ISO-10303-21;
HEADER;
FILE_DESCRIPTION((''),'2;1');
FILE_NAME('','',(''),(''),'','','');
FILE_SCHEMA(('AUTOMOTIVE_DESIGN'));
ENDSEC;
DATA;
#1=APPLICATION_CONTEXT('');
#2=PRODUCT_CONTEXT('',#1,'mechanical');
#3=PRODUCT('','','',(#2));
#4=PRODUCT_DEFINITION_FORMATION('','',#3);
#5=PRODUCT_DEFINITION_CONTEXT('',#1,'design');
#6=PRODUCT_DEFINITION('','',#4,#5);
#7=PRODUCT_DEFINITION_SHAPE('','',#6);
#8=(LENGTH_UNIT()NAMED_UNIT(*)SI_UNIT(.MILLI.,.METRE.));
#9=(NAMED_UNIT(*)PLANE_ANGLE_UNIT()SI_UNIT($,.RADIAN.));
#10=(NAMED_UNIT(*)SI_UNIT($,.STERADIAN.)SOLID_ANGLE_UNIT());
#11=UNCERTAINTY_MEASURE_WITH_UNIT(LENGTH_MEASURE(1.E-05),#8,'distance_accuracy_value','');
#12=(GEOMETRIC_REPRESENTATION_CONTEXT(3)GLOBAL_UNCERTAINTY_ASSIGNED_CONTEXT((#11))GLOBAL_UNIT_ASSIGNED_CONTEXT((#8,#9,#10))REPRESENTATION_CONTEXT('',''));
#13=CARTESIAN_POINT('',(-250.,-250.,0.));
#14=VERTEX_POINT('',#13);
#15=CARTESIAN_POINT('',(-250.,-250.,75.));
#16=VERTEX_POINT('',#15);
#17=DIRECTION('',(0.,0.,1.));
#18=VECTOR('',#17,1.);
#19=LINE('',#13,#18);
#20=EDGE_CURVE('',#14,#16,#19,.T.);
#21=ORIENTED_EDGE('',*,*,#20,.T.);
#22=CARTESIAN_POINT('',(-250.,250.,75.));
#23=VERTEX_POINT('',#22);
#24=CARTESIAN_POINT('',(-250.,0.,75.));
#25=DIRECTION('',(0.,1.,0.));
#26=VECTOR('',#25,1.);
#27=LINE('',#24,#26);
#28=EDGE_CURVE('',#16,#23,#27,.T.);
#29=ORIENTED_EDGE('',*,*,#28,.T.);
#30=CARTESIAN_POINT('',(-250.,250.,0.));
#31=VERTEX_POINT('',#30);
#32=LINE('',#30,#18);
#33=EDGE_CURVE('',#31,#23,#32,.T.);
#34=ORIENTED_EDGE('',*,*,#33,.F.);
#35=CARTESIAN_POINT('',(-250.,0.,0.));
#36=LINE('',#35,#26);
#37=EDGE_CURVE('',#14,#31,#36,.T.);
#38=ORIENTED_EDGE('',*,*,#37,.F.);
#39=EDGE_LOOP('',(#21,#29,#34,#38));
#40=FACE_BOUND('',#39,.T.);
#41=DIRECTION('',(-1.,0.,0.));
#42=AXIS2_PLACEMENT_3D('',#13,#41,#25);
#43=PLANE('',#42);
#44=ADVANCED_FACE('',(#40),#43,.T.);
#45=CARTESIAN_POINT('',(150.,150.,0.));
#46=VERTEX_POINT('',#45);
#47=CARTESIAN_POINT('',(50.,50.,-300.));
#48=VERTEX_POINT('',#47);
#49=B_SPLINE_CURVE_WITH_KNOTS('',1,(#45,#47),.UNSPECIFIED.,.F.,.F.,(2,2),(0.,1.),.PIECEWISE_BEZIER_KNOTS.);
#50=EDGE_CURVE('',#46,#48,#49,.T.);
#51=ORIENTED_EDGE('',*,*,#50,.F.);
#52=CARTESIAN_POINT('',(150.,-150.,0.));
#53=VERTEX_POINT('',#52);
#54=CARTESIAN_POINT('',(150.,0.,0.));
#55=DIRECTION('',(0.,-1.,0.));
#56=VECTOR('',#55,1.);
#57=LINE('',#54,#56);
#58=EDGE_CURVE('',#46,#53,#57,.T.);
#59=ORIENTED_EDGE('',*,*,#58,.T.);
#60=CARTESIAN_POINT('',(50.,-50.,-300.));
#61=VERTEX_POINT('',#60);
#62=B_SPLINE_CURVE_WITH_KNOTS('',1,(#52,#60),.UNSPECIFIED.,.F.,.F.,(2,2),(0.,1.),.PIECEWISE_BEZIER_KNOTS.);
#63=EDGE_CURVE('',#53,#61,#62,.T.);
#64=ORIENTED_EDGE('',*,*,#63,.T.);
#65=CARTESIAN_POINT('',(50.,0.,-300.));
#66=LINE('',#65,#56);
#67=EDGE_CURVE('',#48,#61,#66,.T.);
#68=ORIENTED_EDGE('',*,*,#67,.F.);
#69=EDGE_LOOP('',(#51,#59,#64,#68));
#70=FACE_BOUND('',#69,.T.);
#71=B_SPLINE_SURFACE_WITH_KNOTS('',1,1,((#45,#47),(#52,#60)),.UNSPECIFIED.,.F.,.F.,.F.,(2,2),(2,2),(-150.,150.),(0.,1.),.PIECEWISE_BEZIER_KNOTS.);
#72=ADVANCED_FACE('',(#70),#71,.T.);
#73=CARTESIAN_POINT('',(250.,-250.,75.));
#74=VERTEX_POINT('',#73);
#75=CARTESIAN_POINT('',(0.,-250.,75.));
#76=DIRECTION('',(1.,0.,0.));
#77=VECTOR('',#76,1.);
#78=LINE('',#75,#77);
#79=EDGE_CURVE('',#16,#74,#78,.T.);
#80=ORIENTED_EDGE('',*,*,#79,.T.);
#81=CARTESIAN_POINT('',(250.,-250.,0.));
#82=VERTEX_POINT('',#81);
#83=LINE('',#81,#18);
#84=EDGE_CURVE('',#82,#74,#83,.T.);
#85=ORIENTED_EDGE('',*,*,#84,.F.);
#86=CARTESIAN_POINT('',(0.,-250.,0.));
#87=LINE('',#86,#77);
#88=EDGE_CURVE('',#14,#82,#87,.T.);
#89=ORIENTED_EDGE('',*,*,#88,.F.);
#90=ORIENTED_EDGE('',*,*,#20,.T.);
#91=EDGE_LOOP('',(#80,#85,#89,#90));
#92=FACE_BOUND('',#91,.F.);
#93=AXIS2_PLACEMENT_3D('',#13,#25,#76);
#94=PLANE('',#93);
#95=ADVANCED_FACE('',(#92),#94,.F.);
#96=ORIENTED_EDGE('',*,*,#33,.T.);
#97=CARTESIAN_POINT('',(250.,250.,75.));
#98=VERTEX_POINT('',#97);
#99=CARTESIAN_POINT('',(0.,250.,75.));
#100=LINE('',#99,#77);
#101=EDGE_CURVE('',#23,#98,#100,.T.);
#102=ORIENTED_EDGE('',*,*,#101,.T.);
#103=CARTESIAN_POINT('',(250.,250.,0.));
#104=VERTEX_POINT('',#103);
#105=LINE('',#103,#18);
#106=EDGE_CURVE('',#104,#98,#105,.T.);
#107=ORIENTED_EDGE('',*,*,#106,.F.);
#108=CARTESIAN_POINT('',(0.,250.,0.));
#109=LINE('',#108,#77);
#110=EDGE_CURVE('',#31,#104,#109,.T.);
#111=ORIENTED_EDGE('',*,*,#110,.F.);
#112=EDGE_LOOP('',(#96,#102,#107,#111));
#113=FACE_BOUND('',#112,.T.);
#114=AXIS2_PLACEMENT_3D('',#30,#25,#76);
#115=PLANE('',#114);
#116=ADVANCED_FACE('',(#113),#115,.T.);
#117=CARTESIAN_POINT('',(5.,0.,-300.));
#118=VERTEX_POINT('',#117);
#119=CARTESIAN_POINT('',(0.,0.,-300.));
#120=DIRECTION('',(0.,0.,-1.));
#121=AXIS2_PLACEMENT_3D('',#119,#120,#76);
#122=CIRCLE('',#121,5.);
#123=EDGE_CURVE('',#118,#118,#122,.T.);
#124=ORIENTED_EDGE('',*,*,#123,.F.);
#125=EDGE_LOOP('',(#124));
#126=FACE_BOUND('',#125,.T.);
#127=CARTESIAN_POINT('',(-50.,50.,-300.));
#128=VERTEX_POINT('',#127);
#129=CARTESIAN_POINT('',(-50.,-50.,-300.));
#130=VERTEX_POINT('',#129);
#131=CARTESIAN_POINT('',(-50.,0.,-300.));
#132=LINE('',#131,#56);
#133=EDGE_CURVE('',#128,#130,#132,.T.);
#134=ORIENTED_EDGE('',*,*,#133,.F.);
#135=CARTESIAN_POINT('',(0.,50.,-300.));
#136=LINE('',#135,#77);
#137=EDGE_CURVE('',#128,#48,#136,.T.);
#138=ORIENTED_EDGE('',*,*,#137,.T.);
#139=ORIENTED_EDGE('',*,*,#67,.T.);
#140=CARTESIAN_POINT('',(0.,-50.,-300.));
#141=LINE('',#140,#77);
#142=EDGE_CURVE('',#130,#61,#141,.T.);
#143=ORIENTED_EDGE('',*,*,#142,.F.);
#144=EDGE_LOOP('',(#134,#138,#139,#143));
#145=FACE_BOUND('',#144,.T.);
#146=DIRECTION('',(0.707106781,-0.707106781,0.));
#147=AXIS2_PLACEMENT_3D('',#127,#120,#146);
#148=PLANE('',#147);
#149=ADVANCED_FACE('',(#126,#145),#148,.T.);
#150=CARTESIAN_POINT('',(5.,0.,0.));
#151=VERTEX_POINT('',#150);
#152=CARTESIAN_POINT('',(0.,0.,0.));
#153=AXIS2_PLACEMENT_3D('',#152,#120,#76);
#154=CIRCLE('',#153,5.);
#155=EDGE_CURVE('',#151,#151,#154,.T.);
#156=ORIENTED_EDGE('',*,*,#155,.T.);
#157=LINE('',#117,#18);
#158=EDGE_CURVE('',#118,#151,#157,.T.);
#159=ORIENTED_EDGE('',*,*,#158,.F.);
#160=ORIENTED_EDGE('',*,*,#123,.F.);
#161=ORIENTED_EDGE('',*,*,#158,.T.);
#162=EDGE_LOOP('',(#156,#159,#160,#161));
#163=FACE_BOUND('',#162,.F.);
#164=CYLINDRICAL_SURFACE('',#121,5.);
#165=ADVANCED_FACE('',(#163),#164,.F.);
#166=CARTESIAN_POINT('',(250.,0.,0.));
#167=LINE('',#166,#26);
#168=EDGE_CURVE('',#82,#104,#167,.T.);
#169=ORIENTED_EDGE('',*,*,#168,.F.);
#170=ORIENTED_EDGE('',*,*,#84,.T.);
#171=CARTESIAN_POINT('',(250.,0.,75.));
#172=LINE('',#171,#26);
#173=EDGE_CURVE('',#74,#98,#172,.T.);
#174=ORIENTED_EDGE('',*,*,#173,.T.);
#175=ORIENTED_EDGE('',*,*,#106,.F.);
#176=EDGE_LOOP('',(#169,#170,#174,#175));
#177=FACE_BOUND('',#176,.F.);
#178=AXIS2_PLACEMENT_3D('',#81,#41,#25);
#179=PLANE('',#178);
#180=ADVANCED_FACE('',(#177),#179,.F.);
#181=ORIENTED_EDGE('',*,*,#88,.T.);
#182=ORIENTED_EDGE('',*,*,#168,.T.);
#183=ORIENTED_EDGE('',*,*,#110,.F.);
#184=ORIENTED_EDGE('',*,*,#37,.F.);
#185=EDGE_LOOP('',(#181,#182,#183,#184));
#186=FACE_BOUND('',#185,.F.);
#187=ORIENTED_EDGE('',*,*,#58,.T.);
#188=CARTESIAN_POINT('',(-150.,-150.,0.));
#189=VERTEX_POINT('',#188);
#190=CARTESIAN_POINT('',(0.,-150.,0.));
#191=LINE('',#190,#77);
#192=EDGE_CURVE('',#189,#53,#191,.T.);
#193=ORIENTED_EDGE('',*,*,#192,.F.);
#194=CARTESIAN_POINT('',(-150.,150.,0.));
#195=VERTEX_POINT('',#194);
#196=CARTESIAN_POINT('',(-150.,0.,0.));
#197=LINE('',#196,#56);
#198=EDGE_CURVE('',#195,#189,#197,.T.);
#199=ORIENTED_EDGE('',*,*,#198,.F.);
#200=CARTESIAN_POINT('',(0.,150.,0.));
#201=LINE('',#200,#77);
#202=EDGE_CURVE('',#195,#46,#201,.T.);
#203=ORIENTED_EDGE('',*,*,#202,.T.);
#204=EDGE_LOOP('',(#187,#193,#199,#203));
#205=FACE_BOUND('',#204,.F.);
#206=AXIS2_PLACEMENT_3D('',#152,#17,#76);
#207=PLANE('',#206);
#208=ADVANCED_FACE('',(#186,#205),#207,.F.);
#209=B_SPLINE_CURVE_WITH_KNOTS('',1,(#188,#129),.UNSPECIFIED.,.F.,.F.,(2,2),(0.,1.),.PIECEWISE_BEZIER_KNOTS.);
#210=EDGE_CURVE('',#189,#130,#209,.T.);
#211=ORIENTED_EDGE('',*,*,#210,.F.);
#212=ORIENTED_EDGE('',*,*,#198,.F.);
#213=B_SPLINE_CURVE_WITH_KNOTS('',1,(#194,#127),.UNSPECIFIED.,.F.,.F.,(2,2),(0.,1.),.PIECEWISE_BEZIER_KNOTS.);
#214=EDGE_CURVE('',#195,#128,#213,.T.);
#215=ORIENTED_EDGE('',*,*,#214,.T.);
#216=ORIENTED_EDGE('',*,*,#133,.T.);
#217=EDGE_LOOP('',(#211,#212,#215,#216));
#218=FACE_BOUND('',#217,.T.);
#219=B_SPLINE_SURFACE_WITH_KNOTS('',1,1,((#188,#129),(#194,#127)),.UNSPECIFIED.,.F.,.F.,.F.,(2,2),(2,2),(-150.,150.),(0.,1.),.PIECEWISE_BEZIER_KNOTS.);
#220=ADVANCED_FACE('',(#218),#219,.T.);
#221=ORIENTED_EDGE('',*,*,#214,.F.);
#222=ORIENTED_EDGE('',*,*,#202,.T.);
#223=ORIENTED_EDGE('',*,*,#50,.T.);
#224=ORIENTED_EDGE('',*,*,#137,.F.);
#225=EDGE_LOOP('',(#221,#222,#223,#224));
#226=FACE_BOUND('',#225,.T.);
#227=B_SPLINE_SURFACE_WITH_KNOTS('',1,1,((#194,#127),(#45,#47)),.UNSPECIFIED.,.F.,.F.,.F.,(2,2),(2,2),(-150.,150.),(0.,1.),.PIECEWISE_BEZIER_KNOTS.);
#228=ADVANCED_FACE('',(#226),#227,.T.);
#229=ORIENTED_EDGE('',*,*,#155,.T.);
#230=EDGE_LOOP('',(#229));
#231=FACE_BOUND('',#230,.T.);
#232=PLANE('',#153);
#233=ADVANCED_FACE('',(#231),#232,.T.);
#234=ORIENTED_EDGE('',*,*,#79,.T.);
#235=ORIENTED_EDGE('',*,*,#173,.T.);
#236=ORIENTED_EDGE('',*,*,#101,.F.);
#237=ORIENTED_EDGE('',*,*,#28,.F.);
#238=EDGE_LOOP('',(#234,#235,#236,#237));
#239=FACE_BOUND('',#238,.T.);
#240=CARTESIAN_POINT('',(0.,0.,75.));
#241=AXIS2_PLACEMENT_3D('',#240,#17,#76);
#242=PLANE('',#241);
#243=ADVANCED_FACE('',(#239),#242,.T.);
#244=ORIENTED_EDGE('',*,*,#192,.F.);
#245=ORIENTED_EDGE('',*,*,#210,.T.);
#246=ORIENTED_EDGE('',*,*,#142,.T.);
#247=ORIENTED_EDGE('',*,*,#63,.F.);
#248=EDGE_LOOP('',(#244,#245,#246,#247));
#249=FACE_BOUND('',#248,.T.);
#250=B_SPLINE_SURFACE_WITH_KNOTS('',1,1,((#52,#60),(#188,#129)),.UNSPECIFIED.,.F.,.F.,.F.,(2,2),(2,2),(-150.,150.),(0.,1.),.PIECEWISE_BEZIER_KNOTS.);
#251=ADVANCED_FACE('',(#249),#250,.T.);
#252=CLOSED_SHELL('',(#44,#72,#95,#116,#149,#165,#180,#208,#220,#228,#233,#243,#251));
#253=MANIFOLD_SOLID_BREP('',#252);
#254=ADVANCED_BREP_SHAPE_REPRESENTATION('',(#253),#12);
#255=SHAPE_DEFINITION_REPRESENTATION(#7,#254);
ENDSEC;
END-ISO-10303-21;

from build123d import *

# Parameters (mm, degrees)
F0_W     = 500
F0_H     = 500
F1_DEPTH = 75
F2_W     = 300
F2_H     = 300
F4_W     = 100
F4_H     = 100
F6_R     = 5
F7_DEPTH = 300


with BuildPart() as f1:
    # F0 (on Top) → F1 (new body)
    with BuildSketch(Plane.XY):
        Rectangle(F0_W, F0_H)
    extrude(amount=F1_DEPTH)

    # F2 (on face) → F5 section 0
    with BuildSketch(Plane(origin=(0, 0, 0), x_dir=(1, 0, 0), z_dir=(0, 0, -1))):
        Rectangle(F2_W, F2_H)
    # F4 (on offset) → F5 section 1
    with BuildSketch(Plane(origin=(0, 0, -300), x_dir=(1, 0, 0), z_dir=(0, 0, -1))):
        Rectangle(F4_W, F4_H)
    loft()

    # F6 (on face) → F7 (cut)
    with BuildSketch(Plane(origin=(0, 0, -300), x_dir=(1, 0, 0), z_dir=(0, 0, -1))):
        Circle(F6_R)
    extrude(amount=-F7_DEPTH, mode=Mode.SUBTRACT)


solid = f1.part
